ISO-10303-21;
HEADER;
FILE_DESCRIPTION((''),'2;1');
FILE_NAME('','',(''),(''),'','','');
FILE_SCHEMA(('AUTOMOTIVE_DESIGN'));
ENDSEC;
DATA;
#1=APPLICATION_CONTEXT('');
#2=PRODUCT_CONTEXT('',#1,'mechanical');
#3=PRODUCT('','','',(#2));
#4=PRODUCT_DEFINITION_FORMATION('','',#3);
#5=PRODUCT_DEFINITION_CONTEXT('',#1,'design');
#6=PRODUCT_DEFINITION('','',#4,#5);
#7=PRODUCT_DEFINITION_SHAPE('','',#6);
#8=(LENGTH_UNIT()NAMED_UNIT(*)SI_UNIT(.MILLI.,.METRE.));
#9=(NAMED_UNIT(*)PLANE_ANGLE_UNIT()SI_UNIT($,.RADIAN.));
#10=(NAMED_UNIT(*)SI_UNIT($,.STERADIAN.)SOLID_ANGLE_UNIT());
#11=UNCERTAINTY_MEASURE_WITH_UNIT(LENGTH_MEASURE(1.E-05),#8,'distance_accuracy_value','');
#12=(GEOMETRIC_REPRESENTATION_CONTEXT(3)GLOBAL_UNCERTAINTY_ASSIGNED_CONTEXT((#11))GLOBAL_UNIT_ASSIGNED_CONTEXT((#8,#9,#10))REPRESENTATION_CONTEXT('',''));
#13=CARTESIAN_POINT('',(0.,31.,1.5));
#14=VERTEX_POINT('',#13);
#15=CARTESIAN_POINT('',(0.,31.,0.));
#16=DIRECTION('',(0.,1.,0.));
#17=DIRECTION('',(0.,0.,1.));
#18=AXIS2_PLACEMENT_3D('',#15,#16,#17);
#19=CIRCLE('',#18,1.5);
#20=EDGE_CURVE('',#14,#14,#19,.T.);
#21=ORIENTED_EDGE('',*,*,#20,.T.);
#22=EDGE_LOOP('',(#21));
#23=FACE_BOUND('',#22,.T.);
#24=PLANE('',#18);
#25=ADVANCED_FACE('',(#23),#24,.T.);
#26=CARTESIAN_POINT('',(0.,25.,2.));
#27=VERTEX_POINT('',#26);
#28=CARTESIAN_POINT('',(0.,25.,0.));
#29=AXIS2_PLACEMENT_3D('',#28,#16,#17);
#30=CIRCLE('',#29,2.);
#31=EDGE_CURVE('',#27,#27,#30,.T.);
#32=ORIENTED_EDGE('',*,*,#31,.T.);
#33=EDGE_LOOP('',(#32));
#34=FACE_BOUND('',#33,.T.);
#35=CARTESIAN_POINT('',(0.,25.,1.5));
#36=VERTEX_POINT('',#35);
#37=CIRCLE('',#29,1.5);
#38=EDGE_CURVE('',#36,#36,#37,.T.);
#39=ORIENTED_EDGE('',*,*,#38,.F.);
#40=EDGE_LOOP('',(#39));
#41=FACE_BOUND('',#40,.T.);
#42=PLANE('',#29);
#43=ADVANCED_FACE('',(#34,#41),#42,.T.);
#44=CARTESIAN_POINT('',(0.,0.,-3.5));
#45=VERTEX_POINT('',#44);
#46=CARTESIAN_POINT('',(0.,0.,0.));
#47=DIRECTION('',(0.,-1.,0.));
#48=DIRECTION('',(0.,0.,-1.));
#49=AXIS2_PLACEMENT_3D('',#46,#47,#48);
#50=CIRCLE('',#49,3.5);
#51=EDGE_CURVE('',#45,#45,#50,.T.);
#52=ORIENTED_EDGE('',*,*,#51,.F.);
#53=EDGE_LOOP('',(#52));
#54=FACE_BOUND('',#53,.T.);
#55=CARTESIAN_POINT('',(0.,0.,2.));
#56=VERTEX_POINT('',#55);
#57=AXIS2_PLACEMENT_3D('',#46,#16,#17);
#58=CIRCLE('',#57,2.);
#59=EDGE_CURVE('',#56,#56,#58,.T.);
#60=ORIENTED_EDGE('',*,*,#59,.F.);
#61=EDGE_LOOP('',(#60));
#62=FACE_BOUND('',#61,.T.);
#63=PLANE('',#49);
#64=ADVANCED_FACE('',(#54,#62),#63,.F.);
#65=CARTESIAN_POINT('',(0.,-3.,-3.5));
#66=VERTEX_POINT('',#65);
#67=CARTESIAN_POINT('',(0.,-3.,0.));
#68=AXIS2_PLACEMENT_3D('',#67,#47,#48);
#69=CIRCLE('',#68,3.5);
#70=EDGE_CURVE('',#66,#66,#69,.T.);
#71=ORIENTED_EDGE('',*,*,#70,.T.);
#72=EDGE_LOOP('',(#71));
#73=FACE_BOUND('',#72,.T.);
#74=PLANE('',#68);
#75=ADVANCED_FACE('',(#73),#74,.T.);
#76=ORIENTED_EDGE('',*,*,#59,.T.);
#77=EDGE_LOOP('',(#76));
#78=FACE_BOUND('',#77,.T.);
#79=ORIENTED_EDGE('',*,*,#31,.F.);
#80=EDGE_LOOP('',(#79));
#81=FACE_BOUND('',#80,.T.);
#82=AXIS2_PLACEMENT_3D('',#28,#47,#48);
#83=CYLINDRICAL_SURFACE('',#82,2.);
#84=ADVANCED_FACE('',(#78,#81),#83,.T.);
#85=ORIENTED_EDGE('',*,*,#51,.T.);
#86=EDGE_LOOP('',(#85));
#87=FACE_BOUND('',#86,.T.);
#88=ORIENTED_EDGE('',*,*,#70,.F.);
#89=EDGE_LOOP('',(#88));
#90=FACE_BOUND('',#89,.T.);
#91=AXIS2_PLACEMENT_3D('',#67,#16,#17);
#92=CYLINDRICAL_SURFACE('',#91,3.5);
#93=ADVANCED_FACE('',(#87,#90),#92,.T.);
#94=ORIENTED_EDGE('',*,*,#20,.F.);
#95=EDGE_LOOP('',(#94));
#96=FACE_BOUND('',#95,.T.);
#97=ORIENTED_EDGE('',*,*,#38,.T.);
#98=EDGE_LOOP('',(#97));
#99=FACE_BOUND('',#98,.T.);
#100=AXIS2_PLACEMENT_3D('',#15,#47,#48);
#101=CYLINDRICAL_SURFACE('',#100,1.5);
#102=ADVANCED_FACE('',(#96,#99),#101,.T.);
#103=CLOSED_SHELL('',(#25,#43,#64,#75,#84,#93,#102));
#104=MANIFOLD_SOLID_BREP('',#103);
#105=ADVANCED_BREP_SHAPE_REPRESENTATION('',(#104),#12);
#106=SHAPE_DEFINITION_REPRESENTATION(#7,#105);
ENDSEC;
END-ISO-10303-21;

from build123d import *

# Parameters (mm, degrees)
SKETCH_1_R      = 2
EXTRUDE_1_DEPTH = 25
SKETCH_2_R      = 1.5
EXTRUDE_2_DEPTH = 6
SKETCH_3_R      = 3.5
EXTRUDE_3_DEPTH = 3


with BuildPart() as part:
    # 草图1 → 凸台-拉伸1 (new body)
    with BuildSketch(Plane(origin=(0, 0, 0), x_dir=(1, 0, 0), z_dir=(0, 1, 0))):
        Circle(SKETCH_1_R)
    extrude(amount=EXTRUDE_1_DEPTH)

    # 草图2 → 凸台-拉伸2 (add)
    with BuildSketch(Plane(origin=(0, 25, 0), x_dir=(1, 0, 0), z_dir=(0, 1, 0))):
        Circle(SKETCH_2_R)
    extrude(amount=EXTRUDE_2_DEPTH)

    # 草图3 → 凸台-拉伸3 (add)
    with BuildSketch(Plane.XZ):
        Circle(SKETCH_3_R)
    extrude(amount=EXTRUDE_3_DEPTH)


solid = part.part
